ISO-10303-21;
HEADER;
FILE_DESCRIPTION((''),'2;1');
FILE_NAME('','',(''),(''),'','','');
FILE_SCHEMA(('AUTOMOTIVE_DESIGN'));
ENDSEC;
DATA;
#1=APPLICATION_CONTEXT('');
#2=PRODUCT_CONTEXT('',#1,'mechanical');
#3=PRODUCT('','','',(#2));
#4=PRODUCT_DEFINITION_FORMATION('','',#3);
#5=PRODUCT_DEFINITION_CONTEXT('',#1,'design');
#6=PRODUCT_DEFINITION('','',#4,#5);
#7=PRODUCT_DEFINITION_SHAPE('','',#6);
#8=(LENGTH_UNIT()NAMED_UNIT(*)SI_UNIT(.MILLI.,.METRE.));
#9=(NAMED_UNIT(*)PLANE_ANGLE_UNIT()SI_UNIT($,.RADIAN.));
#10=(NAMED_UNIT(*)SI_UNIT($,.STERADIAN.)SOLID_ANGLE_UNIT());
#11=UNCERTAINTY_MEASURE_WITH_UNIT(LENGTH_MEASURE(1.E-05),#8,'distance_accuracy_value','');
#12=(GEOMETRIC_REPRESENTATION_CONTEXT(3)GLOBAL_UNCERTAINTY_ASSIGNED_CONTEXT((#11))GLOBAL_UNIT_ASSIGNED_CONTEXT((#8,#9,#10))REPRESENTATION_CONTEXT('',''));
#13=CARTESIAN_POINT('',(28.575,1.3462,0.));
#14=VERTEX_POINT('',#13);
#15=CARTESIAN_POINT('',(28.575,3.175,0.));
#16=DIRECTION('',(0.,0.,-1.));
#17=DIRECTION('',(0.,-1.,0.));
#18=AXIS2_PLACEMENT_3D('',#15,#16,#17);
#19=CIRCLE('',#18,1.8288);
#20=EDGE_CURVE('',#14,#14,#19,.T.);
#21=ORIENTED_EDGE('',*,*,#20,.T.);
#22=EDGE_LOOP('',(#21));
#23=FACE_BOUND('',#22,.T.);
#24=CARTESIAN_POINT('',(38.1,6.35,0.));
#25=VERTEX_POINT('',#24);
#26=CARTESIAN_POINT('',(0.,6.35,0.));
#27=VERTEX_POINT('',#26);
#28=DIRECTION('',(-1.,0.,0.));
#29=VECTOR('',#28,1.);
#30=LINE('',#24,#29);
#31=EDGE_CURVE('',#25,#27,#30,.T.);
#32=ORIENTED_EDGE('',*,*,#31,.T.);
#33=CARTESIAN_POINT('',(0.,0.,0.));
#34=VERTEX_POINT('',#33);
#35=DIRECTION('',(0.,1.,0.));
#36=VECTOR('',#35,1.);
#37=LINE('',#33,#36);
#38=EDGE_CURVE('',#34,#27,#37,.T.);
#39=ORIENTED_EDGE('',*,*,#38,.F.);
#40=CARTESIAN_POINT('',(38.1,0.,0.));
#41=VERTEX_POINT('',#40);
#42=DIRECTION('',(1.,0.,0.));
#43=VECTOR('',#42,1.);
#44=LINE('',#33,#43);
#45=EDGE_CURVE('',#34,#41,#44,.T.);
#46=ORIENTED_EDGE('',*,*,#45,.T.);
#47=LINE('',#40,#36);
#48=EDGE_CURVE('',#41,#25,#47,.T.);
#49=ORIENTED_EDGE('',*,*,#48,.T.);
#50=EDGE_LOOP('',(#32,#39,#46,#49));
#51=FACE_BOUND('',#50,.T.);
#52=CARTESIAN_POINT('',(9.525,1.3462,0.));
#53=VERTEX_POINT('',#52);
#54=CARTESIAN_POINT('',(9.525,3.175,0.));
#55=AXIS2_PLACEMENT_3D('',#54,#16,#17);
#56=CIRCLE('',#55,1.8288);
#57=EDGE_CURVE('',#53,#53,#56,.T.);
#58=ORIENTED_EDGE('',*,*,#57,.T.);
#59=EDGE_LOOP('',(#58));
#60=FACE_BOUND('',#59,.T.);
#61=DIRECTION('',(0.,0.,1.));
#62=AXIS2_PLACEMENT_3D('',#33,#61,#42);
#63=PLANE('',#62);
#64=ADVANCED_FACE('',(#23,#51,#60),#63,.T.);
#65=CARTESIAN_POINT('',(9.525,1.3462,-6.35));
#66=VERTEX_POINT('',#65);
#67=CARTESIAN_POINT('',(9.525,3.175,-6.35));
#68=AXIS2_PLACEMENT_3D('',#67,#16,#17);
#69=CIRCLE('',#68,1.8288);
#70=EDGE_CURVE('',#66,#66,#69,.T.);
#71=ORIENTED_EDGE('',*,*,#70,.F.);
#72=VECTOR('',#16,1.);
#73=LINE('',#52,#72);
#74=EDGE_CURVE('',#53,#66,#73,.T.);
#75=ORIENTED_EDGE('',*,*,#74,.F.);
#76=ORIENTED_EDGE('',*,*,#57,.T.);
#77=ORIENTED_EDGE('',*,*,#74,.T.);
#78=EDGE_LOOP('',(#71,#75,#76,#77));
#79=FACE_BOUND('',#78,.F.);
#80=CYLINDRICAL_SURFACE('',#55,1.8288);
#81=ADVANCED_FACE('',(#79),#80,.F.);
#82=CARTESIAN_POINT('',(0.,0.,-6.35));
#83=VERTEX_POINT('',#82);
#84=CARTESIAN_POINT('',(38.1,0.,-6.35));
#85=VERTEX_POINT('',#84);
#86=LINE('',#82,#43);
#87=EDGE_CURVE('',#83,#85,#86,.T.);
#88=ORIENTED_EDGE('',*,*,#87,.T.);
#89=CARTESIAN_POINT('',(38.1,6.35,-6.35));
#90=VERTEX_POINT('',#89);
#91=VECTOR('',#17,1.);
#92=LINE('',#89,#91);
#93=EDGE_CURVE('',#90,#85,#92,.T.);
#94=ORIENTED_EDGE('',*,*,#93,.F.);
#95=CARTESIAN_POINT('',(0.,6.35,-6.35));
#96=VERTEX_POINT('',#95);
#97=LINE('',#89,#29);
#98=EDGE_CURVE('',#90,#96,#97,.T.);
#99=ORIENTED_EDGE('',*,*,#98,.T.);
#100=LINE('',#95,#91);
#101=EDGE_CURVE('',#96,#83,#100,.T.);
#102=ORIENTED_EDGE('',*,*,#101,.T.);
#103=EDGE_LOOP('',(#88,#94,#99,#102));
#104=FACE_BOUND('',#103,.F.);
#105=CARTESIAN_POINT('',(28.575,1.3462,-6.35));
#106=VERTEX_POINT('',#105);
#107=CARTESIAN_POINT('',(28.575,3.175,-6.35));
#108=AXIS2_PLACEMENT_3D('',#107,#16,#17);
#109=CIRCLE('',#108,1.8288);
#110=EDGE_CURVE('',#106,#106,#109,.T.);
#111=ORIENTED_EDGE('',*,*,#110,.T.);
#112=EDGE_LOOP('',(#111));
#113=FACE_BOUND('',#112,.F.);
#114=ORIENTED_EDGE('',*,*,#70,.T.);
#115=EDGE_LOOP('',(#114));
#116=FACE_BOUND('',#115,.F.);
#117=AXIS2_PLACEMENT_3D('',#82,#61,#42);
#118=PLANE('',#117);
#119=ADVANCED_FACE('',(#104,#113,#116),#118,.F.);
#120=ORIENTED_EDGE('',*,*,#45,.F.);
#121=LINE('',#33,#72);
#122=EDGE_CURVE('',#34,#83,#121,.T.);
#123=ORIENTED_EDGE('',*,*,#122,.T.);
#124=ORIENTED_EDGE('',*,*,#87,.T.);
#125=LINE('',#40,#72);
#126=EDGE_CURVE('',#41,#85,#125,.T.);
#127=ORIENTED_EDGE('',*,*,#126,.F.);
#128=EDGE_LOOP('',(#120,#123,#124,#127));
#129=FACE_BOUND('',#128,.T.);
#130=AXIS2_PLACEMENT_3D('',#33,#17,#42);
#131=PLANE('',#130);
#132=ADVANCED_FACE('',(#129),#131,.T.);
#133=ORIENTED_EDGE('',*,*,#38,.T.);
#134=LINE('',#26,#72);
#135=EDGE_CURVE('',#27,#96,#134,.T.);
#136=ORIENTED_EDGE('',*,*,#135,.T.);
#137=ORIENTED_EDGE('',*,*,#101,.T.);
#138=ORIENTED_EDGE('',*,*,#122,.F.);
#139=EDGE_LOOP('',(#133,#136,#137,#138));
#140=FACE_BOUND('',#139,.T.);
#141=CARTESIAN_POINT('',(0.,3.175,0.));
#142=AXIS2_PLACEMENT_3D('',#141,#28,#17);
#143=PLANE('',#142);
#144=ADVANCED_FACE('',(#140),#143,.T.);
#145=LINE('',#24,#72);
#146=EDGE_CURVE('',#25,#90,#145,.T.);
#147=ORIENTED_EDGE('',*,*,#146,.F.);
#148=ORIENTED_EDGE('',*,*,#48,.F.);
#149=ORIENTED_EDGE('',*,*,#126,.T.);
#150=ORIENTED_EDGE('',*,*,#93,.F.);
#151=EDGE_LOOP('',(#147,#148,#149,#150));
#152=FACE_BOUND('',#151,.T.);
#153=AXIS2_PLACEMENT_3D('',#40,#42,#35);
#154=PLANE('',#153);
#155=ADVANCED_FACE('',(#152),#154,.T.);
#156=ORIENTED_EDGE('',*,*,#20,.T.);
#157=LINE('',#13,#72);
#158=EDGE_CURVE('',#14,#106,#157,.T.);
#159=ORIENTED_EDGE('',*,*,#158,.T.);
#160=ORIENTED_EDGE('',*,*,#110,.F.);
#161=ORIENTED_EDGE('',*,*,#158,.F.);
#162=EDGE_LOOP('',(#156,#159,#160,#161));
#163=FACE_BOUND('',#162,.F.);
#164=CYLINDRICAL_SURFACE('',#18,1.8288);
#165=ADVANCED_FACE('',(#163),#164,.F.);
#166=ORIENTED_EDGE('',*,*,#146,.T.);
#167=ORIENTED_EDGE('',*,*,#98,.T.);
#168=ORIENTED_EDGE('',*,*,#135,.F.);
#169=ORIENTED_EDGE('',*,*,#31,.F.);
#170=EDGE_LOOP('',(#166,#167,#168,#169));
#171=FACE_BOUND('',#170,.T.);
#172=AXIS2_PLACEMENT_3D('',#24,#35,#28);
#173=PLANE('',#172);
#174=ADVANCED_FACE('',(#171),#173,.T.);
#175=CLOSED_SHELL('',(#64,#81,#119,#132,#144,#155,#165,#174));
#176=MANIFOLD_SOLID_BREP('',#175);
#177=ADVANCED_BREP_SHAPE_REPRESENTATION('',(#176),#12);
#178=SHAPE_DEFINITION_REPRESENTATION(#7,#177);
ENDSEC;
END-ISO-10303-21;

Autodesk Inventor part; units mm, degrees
ref_plane "YZ Plane" through (0, 0, 0) normal (1, 0, 0) x (0, 1, 0)
ref_plane "XZ Plane" through (0, 0, 0) normal (0, 1, 0) x (-1, 0, 0)
ref_plane "XY Plane" through (0, 0, 0) normal (0, 0, 1) x (1, 0, 0)
sketch "Sketch1" plane through (0, 0, 0) normal (0, 0, 1) x (1, 0, 0)
  line L0 (0, 0) -> (38.1, 0)
  line L1 (38.1, 0) -> (38.1, 6.35)
  line L2 (38.1, 6.35) -> (0, 6.35)
  line L3 (0, 6.35) -> (0, 0)
  line L4 (0, 3.175) -> (38.1, 3.175)
  point P0 (9.525, 3.175)
  point P1 (28.575, 3.175)
  dimension "d0" = 38.1
  dimension "d1" = 19.05
  dimension "d2" = 9.525
  dimension "d3" = 9.525
  dimension "d13" = 6.35
extrude "Extrusion1" add sketch "Sketch1" against normal blind 6.35
hole "Hole1" at (9.525, 3.175, 0) at (28.575, 3.175, 0) direction (0, 0, -1) diameter 3.6576 end through all clearance for "Flat Head Machine Screw (82)" size "#6" standard "Ansi Unified Screw Threads"
equation "\"d1\" = 0.5 * d0"
equation "\"d2\" = d3"
properties part number "Bearing Retention Plate" material "Aluminum 6061"
